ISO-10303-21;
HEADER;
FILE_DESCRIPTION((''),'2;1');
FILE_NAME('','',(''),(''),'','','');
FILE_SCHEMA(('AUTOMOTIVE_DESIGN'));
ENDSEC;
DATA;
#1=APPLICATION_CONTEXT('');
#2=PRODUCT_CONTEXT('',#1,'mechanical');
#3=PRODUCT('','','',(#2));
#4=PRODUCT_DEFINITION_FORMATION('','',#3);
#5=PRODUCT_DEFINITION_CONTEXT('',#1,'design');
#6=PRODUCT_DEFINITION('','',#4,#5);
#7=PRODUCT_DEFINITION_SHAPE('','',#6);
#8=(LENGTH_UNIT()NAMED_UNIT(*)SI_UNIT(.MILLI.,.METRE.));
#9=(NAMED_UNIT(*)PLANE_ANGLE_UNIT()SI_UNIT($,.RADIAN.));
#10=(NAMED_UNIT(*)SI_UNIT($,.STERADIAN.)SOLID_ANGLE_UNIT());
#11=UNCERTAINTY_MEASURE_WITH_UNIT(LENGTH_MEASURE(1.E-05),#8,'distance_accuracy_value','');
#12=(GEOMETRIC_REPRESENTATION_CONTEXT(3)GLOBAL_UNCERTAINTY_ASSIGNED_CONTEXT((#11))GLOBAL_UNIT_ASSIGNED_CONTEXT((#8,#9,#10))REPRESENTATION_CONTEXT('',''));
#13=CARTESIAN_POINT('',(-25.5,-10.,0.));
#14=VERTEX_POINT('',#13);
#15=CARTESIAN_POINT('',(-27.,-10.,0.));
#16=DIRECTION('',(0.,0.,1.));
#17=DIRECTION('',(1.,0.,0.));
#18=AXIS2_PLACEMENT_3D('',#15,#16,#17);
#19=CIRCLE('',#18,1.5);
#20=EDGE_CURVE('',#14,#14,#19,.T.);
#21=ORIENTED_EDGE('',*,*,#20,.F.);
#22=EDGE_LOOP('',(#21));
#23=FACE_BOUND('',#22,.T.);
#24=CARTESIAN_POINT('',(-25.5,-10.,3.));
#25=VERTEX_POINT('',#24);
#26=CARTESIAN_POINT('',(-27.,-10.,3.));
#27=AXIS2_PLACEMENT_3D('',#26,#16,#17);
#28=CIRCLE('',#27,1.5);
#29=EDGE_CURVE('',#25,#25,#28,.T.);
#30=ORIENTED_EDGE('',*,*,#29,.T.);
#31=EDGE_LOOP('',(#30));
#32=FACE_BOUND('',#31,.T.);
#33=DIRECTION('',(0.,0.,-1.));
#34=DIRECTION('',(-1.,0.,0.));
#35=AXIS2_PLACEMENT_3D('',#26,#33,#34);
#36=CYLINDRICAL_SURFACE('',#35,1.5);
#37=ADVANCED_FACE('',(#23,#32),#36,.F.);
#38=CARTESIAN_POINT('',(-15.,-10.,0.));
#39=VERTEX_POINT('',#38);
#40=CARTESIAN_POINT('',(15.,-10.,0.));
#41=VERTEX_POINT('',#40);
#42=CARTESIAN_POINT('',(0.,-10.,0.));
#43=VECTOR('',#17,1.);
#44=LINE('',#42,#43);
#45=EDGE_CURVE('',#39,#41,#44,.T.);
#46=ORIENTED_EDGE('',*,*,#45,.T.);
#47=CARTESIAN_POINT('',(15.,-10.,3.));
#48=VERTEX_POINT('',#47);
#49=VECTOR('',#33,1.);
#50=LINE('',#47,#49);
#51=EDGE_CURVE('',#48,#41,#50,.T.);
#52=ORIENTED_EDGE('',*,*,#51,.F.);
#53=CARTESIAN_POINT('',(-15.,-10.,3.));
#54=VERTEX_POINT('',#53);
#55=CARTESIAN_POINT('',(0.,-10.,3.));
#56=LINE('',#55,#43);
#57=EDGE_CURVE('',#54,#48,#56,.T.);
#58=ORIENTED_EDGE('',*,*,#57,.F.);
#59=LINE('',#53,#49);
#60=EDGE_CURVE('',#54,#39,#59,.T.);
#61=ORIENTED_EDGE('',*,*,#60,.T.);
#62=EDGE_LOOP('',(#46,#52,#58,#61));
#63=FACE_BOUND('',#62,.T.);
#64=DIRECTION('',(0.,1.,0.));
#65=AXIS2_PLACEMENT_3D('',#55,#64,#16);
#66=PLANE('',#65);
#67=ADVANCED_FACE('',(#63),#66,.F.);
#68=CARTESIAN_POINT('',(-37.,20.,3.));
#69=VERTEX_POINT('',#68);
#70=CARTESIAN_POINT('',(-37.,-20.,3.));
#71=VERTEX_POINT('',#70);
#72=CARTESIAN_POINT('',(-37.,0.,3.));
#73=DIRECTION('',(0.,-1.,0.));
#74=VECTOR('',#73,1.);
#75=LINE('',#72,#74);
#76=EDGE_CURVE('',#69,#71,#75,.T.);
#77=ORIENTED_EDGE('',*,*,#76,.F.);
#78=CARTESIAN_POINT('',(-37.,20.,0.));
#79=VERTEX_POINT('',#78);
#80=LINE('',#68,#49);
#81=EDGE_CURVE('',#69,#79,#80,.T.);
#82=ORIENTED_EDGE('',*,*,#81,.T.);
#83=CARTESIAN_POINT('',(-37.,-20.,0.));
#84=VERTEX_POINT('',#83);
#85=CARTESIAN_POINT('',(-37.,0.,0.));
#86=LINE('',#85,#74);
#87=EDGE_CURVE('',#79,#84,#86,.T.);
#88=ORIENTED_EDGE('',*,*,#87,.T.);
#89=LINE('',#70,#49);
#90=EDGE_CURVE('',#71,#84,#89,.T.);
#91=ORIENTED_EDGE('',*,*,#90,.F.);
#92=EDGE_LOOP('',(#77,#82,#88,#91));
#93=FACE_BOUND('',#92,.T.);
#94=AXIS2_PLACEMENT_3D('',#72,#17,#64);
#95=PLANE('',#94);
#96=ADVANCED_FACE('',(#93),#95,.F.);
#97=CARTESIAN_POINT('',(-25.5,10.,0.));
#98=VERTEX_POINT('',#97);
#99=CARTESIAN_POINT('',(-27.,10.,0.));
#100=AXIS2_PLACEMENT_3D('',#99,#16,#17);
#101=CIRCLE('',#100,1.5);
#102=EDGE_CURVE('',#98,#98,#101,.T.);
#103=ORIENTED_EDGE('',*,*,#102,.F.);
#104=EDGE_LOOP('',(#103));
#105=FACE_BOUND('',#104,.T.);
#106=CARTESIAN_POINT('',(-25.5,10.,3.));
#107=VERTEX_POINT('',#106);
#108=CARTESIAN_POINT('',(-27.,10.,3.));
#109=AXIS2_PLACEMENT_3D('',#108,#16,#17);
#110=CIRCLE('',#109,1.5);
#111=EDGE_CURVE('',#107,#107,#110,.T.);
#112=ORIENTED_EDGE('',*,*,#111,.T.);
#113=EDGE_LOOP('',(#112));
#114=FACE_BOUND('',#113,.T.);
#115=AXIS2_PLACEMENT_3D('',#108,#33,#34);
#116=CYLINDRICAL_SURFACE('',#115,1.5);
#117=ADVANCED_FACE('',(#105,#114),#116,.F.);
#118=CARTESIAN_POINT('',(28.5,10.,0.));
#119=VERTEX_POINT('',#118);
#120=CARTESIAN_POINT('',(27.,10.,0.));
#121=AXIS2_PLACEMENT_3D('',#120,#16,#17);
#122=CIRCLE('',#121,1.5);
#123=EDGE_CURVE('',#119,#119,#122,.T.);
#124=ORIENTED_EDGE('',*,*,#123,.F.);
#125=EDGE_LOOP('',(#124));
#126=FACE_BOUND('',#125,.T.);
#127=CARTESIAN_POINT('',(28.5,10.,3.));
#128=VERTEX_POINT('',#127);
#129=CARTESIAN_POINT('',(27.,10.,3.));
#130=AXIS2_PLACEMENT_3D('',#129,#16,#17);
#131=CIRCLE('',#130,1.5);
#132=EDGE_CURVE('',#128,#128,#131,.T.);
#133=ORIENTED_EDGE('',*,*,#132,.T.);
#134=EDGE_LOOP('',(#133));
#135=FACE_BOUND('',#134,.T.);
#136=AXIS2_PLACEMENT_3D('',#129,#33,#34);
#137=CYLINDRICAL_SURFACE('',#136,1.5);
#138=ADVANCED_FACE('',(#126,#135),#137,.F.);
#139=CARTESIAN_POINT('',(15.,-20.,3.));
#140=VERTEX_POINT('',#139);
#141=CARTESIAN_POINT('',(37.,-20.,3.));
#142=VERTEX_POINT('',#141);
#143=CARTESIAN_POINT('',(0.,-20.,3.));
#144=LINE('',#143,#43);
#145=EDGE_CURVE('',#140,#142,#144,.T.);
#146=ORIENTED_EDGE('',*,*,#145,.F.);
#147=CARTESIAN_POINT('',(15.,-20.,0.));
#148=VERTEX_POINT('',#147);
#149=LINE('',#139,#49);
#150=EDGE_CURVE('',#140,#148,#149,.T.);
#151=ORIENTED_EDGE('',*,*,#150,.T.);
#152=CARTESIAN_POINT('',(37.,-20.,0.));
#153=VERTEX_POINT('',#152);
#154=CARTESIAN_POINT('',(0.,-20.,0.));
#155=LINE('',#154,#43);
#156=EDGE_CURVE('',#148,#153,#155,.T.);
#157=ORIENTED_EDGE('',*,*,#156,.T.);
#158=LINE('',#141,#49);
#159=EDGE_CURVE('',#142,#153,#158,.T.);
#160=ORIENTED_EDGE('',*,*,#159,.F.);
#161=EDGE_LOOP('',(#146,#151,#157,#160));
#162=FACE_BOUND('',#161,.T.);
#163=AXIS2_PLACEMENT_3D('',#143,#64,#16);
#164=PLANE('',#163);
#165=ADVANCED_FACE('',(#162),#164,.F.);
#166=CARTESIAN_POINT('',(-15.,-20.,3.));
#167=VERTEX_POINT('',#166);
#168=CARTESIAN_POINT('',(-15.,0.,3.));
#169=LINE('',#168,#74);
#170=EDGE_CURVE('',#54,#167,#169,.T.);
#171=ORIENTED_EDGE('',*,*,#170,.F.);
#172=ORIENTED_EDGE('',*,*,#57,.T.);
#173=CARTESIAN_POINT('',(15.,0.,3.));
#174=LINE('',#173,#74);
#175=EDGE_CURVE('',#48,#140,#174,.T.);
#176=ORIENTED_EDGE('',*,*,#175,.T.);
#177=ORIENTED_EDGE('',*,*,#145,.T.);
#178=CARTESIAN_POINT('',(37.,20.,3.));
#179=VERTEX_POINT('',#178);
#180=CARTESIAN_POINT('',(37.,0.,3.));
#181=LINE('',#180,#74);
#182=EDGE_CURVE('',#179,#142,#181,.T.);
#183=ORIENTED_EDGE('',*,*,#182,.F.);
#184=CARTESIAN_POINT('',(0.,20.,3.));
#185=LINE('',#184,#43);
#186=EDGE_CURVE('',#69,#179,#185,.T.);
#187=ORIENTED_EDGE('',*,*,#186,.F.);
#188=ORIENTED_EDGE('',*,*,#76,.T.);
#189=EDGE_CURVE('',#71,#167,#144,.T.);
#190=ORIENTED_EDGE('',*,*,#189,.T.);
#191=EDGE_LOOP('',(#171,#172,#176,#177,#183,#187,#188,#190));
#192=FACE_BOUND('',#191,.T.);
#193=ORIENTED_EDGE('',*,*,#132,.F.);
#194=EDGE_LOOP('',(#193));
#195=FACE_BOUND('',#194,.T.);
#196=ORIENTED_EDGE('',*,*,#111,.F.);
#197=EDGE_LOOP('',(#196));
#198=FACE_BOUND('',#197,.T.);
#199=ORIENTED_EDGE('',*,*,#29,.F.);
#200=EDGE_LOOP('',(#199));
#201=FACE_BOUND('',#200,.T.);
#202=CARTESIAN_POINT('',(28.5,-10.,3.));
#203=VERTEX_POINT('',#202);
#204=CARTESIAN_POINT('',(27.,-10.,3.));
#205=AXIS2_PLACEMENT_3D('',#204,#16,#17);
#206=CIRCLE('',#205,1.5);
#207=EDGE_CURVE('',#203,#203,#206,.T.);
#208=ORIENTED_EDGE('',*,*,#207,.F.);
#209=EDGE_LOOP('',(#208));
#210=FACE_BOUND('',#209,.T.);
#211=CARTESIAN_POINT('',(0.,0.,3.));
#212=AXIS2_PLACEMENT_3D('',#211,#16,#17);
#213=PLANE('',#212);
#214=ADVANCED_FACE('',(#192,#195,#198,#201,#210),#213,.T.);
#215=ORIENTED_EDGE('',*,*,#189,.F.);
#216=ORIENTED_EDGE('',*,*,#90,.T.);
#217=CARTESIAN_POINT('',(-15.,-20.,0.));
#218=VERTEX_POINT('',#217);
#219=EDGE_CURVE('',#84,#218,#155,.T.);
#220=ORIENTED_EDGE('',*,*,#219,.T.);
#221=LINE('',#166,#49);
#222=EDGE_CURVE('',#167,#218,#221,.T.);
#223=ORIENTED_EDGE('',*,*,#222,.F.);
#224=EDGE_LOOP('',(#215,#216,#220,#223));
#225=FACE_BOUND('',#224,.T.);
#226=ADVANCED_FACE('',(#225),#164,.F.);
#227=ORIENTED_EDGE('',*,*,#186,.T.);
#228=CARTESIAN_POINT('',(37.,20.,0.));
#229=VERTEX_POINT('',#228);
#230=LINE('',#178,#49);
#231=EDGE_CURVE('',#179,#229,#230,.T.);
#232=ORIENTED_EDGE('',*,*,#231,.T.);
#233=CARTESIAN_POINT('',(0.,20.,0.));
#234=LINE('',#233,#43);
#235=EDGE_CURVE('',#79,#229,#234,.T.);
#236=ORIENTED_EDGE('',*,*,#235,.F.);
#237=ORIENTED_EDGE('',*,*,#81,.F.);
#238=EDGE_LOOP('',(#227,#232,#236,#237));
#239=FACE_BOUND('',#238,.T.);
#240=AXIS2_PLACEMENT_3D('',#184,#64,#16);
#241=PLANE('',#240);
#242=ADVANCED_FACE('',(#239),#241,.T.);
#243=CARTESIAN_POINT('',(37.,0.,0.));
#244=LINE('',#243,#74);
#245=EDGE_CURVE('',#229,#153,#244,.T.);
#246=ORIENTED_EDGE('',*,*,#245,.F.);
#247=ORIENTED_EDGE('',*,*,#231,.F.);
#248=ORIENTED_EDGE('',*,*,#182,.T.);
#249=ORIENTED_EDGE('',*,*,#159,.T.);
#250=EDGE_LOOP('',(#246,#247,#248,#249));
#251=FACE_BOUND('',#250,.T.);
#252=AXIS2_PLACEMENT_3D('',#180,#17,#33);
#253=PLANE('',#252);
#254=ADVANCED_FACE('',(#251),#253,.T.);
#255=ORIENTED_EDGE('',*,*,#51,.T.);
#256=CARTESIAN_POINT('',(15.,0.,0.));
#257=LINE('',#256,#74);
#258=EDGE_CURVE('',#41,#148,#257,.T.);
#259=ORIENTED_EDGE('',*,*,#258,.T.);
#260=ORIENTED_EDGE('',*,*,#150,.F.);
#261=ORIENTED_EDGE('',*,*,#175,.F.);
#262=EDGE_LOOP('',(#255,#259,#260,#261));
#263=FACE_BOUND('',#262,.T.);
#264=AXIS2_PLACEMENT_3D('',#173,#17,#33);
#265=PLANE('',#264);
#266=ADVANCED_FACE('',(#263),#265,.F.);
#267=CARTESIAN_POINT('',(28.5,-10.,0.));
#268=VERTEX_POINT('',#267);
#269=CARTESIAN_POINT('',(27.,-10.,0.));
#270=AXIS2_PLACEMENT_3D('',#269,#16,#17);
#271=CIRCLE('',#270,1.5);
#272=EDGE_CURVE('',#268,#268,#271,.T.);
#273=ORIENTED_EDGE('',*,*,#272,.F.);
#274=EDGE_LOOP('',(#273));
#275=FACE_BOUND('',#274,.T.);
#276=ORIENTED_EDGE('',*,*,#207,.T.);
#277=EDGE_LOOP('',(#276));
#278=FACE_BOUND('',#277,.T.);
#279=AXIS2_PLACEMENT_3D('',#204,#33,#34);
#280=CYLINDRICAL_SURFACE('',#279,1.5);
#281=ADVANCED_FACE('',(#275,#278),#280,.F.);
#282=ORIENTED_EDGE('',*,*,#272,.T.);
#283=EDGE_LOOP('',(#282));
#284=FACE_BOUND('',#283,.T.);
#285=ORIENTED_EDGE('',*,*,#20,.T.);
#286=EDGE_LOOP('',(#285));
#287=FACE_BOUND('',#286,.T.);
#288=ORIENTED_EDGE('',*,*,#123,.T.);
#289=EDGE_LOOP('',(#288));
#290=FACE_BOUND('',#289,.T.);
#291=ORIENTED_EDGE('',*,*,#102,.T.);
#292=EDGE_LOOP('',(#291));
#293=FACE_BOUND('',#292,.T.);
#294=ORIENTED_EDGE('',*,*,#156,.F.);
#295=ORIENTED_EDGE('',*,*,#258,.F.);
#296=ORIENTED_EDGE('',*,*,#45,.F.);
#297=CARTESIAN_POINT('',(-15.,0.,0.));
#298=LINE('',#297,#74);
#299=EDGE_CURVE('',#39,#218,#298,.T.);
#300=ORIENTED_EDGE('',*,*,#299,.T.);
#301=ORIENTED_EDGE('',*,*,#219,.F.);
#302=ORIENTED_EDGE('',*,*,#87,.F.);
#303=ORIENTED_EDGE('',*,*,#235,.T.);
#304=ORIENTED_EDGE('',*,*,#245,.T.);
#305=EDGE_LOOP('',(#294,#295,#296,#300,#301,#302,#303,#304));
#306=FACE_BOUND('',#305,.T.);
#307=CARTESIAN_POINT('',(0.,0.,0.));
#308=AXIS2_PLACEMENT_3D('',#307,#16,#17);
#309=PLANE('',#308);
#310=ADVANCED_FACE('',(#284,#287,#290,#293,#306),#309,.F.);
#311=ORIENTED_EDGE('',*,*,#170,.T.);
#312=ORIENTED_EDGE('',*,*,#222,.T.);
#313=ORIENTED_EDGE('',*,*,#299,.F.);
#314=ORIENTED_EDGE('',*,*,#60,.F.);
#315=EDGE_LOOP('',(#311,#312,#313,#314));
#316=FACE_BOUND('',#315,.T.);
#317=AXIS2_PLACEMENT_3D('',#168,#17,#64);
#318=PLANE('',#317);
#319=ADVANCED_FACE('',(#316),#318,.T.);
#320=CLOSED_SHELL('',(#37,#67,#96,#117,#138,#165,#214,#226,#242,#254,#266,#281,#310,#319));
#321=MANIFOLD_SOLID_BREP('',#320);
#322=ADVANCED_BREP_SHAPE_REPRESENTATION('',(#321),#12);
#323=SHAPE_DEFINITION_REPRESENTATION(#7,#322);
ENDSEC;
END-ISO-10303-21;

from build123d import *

# Parameters (mm, degrees)
SKETCH_1_R      = 1.5
EXTRUDE_1_DEPTH = 3


with BuildPart() as part:
    # 草图1 → 凸台-拉伸1 (new body)
    with BuildSketch(Plane.XY):
        Polygon((37, 20), (-37, 20), (-37, -20), (-15, -20), (-15, -10), (15, -10), (15, -20), (37, -20), align=None)
        with Locations((-27, -10)):
            Circle(SKETCH_1_R, mode=Mode.SUBTRACT)
        with Locations((27, -10)):
            Circle(SKETCH_1_R, mode=Mode.SUBTRACT)
        with Locations((-27, 10)):
            Circle(SKETCH_1_R, mode=Mode.SUBTRACT)
        with Locations((27, 10)):
            Circle(SKETCH_1_R, mode=Mode.SUBTRACT)
    extrude(amount=EXTRUDE_1_DEPTH)


solid = part.part
